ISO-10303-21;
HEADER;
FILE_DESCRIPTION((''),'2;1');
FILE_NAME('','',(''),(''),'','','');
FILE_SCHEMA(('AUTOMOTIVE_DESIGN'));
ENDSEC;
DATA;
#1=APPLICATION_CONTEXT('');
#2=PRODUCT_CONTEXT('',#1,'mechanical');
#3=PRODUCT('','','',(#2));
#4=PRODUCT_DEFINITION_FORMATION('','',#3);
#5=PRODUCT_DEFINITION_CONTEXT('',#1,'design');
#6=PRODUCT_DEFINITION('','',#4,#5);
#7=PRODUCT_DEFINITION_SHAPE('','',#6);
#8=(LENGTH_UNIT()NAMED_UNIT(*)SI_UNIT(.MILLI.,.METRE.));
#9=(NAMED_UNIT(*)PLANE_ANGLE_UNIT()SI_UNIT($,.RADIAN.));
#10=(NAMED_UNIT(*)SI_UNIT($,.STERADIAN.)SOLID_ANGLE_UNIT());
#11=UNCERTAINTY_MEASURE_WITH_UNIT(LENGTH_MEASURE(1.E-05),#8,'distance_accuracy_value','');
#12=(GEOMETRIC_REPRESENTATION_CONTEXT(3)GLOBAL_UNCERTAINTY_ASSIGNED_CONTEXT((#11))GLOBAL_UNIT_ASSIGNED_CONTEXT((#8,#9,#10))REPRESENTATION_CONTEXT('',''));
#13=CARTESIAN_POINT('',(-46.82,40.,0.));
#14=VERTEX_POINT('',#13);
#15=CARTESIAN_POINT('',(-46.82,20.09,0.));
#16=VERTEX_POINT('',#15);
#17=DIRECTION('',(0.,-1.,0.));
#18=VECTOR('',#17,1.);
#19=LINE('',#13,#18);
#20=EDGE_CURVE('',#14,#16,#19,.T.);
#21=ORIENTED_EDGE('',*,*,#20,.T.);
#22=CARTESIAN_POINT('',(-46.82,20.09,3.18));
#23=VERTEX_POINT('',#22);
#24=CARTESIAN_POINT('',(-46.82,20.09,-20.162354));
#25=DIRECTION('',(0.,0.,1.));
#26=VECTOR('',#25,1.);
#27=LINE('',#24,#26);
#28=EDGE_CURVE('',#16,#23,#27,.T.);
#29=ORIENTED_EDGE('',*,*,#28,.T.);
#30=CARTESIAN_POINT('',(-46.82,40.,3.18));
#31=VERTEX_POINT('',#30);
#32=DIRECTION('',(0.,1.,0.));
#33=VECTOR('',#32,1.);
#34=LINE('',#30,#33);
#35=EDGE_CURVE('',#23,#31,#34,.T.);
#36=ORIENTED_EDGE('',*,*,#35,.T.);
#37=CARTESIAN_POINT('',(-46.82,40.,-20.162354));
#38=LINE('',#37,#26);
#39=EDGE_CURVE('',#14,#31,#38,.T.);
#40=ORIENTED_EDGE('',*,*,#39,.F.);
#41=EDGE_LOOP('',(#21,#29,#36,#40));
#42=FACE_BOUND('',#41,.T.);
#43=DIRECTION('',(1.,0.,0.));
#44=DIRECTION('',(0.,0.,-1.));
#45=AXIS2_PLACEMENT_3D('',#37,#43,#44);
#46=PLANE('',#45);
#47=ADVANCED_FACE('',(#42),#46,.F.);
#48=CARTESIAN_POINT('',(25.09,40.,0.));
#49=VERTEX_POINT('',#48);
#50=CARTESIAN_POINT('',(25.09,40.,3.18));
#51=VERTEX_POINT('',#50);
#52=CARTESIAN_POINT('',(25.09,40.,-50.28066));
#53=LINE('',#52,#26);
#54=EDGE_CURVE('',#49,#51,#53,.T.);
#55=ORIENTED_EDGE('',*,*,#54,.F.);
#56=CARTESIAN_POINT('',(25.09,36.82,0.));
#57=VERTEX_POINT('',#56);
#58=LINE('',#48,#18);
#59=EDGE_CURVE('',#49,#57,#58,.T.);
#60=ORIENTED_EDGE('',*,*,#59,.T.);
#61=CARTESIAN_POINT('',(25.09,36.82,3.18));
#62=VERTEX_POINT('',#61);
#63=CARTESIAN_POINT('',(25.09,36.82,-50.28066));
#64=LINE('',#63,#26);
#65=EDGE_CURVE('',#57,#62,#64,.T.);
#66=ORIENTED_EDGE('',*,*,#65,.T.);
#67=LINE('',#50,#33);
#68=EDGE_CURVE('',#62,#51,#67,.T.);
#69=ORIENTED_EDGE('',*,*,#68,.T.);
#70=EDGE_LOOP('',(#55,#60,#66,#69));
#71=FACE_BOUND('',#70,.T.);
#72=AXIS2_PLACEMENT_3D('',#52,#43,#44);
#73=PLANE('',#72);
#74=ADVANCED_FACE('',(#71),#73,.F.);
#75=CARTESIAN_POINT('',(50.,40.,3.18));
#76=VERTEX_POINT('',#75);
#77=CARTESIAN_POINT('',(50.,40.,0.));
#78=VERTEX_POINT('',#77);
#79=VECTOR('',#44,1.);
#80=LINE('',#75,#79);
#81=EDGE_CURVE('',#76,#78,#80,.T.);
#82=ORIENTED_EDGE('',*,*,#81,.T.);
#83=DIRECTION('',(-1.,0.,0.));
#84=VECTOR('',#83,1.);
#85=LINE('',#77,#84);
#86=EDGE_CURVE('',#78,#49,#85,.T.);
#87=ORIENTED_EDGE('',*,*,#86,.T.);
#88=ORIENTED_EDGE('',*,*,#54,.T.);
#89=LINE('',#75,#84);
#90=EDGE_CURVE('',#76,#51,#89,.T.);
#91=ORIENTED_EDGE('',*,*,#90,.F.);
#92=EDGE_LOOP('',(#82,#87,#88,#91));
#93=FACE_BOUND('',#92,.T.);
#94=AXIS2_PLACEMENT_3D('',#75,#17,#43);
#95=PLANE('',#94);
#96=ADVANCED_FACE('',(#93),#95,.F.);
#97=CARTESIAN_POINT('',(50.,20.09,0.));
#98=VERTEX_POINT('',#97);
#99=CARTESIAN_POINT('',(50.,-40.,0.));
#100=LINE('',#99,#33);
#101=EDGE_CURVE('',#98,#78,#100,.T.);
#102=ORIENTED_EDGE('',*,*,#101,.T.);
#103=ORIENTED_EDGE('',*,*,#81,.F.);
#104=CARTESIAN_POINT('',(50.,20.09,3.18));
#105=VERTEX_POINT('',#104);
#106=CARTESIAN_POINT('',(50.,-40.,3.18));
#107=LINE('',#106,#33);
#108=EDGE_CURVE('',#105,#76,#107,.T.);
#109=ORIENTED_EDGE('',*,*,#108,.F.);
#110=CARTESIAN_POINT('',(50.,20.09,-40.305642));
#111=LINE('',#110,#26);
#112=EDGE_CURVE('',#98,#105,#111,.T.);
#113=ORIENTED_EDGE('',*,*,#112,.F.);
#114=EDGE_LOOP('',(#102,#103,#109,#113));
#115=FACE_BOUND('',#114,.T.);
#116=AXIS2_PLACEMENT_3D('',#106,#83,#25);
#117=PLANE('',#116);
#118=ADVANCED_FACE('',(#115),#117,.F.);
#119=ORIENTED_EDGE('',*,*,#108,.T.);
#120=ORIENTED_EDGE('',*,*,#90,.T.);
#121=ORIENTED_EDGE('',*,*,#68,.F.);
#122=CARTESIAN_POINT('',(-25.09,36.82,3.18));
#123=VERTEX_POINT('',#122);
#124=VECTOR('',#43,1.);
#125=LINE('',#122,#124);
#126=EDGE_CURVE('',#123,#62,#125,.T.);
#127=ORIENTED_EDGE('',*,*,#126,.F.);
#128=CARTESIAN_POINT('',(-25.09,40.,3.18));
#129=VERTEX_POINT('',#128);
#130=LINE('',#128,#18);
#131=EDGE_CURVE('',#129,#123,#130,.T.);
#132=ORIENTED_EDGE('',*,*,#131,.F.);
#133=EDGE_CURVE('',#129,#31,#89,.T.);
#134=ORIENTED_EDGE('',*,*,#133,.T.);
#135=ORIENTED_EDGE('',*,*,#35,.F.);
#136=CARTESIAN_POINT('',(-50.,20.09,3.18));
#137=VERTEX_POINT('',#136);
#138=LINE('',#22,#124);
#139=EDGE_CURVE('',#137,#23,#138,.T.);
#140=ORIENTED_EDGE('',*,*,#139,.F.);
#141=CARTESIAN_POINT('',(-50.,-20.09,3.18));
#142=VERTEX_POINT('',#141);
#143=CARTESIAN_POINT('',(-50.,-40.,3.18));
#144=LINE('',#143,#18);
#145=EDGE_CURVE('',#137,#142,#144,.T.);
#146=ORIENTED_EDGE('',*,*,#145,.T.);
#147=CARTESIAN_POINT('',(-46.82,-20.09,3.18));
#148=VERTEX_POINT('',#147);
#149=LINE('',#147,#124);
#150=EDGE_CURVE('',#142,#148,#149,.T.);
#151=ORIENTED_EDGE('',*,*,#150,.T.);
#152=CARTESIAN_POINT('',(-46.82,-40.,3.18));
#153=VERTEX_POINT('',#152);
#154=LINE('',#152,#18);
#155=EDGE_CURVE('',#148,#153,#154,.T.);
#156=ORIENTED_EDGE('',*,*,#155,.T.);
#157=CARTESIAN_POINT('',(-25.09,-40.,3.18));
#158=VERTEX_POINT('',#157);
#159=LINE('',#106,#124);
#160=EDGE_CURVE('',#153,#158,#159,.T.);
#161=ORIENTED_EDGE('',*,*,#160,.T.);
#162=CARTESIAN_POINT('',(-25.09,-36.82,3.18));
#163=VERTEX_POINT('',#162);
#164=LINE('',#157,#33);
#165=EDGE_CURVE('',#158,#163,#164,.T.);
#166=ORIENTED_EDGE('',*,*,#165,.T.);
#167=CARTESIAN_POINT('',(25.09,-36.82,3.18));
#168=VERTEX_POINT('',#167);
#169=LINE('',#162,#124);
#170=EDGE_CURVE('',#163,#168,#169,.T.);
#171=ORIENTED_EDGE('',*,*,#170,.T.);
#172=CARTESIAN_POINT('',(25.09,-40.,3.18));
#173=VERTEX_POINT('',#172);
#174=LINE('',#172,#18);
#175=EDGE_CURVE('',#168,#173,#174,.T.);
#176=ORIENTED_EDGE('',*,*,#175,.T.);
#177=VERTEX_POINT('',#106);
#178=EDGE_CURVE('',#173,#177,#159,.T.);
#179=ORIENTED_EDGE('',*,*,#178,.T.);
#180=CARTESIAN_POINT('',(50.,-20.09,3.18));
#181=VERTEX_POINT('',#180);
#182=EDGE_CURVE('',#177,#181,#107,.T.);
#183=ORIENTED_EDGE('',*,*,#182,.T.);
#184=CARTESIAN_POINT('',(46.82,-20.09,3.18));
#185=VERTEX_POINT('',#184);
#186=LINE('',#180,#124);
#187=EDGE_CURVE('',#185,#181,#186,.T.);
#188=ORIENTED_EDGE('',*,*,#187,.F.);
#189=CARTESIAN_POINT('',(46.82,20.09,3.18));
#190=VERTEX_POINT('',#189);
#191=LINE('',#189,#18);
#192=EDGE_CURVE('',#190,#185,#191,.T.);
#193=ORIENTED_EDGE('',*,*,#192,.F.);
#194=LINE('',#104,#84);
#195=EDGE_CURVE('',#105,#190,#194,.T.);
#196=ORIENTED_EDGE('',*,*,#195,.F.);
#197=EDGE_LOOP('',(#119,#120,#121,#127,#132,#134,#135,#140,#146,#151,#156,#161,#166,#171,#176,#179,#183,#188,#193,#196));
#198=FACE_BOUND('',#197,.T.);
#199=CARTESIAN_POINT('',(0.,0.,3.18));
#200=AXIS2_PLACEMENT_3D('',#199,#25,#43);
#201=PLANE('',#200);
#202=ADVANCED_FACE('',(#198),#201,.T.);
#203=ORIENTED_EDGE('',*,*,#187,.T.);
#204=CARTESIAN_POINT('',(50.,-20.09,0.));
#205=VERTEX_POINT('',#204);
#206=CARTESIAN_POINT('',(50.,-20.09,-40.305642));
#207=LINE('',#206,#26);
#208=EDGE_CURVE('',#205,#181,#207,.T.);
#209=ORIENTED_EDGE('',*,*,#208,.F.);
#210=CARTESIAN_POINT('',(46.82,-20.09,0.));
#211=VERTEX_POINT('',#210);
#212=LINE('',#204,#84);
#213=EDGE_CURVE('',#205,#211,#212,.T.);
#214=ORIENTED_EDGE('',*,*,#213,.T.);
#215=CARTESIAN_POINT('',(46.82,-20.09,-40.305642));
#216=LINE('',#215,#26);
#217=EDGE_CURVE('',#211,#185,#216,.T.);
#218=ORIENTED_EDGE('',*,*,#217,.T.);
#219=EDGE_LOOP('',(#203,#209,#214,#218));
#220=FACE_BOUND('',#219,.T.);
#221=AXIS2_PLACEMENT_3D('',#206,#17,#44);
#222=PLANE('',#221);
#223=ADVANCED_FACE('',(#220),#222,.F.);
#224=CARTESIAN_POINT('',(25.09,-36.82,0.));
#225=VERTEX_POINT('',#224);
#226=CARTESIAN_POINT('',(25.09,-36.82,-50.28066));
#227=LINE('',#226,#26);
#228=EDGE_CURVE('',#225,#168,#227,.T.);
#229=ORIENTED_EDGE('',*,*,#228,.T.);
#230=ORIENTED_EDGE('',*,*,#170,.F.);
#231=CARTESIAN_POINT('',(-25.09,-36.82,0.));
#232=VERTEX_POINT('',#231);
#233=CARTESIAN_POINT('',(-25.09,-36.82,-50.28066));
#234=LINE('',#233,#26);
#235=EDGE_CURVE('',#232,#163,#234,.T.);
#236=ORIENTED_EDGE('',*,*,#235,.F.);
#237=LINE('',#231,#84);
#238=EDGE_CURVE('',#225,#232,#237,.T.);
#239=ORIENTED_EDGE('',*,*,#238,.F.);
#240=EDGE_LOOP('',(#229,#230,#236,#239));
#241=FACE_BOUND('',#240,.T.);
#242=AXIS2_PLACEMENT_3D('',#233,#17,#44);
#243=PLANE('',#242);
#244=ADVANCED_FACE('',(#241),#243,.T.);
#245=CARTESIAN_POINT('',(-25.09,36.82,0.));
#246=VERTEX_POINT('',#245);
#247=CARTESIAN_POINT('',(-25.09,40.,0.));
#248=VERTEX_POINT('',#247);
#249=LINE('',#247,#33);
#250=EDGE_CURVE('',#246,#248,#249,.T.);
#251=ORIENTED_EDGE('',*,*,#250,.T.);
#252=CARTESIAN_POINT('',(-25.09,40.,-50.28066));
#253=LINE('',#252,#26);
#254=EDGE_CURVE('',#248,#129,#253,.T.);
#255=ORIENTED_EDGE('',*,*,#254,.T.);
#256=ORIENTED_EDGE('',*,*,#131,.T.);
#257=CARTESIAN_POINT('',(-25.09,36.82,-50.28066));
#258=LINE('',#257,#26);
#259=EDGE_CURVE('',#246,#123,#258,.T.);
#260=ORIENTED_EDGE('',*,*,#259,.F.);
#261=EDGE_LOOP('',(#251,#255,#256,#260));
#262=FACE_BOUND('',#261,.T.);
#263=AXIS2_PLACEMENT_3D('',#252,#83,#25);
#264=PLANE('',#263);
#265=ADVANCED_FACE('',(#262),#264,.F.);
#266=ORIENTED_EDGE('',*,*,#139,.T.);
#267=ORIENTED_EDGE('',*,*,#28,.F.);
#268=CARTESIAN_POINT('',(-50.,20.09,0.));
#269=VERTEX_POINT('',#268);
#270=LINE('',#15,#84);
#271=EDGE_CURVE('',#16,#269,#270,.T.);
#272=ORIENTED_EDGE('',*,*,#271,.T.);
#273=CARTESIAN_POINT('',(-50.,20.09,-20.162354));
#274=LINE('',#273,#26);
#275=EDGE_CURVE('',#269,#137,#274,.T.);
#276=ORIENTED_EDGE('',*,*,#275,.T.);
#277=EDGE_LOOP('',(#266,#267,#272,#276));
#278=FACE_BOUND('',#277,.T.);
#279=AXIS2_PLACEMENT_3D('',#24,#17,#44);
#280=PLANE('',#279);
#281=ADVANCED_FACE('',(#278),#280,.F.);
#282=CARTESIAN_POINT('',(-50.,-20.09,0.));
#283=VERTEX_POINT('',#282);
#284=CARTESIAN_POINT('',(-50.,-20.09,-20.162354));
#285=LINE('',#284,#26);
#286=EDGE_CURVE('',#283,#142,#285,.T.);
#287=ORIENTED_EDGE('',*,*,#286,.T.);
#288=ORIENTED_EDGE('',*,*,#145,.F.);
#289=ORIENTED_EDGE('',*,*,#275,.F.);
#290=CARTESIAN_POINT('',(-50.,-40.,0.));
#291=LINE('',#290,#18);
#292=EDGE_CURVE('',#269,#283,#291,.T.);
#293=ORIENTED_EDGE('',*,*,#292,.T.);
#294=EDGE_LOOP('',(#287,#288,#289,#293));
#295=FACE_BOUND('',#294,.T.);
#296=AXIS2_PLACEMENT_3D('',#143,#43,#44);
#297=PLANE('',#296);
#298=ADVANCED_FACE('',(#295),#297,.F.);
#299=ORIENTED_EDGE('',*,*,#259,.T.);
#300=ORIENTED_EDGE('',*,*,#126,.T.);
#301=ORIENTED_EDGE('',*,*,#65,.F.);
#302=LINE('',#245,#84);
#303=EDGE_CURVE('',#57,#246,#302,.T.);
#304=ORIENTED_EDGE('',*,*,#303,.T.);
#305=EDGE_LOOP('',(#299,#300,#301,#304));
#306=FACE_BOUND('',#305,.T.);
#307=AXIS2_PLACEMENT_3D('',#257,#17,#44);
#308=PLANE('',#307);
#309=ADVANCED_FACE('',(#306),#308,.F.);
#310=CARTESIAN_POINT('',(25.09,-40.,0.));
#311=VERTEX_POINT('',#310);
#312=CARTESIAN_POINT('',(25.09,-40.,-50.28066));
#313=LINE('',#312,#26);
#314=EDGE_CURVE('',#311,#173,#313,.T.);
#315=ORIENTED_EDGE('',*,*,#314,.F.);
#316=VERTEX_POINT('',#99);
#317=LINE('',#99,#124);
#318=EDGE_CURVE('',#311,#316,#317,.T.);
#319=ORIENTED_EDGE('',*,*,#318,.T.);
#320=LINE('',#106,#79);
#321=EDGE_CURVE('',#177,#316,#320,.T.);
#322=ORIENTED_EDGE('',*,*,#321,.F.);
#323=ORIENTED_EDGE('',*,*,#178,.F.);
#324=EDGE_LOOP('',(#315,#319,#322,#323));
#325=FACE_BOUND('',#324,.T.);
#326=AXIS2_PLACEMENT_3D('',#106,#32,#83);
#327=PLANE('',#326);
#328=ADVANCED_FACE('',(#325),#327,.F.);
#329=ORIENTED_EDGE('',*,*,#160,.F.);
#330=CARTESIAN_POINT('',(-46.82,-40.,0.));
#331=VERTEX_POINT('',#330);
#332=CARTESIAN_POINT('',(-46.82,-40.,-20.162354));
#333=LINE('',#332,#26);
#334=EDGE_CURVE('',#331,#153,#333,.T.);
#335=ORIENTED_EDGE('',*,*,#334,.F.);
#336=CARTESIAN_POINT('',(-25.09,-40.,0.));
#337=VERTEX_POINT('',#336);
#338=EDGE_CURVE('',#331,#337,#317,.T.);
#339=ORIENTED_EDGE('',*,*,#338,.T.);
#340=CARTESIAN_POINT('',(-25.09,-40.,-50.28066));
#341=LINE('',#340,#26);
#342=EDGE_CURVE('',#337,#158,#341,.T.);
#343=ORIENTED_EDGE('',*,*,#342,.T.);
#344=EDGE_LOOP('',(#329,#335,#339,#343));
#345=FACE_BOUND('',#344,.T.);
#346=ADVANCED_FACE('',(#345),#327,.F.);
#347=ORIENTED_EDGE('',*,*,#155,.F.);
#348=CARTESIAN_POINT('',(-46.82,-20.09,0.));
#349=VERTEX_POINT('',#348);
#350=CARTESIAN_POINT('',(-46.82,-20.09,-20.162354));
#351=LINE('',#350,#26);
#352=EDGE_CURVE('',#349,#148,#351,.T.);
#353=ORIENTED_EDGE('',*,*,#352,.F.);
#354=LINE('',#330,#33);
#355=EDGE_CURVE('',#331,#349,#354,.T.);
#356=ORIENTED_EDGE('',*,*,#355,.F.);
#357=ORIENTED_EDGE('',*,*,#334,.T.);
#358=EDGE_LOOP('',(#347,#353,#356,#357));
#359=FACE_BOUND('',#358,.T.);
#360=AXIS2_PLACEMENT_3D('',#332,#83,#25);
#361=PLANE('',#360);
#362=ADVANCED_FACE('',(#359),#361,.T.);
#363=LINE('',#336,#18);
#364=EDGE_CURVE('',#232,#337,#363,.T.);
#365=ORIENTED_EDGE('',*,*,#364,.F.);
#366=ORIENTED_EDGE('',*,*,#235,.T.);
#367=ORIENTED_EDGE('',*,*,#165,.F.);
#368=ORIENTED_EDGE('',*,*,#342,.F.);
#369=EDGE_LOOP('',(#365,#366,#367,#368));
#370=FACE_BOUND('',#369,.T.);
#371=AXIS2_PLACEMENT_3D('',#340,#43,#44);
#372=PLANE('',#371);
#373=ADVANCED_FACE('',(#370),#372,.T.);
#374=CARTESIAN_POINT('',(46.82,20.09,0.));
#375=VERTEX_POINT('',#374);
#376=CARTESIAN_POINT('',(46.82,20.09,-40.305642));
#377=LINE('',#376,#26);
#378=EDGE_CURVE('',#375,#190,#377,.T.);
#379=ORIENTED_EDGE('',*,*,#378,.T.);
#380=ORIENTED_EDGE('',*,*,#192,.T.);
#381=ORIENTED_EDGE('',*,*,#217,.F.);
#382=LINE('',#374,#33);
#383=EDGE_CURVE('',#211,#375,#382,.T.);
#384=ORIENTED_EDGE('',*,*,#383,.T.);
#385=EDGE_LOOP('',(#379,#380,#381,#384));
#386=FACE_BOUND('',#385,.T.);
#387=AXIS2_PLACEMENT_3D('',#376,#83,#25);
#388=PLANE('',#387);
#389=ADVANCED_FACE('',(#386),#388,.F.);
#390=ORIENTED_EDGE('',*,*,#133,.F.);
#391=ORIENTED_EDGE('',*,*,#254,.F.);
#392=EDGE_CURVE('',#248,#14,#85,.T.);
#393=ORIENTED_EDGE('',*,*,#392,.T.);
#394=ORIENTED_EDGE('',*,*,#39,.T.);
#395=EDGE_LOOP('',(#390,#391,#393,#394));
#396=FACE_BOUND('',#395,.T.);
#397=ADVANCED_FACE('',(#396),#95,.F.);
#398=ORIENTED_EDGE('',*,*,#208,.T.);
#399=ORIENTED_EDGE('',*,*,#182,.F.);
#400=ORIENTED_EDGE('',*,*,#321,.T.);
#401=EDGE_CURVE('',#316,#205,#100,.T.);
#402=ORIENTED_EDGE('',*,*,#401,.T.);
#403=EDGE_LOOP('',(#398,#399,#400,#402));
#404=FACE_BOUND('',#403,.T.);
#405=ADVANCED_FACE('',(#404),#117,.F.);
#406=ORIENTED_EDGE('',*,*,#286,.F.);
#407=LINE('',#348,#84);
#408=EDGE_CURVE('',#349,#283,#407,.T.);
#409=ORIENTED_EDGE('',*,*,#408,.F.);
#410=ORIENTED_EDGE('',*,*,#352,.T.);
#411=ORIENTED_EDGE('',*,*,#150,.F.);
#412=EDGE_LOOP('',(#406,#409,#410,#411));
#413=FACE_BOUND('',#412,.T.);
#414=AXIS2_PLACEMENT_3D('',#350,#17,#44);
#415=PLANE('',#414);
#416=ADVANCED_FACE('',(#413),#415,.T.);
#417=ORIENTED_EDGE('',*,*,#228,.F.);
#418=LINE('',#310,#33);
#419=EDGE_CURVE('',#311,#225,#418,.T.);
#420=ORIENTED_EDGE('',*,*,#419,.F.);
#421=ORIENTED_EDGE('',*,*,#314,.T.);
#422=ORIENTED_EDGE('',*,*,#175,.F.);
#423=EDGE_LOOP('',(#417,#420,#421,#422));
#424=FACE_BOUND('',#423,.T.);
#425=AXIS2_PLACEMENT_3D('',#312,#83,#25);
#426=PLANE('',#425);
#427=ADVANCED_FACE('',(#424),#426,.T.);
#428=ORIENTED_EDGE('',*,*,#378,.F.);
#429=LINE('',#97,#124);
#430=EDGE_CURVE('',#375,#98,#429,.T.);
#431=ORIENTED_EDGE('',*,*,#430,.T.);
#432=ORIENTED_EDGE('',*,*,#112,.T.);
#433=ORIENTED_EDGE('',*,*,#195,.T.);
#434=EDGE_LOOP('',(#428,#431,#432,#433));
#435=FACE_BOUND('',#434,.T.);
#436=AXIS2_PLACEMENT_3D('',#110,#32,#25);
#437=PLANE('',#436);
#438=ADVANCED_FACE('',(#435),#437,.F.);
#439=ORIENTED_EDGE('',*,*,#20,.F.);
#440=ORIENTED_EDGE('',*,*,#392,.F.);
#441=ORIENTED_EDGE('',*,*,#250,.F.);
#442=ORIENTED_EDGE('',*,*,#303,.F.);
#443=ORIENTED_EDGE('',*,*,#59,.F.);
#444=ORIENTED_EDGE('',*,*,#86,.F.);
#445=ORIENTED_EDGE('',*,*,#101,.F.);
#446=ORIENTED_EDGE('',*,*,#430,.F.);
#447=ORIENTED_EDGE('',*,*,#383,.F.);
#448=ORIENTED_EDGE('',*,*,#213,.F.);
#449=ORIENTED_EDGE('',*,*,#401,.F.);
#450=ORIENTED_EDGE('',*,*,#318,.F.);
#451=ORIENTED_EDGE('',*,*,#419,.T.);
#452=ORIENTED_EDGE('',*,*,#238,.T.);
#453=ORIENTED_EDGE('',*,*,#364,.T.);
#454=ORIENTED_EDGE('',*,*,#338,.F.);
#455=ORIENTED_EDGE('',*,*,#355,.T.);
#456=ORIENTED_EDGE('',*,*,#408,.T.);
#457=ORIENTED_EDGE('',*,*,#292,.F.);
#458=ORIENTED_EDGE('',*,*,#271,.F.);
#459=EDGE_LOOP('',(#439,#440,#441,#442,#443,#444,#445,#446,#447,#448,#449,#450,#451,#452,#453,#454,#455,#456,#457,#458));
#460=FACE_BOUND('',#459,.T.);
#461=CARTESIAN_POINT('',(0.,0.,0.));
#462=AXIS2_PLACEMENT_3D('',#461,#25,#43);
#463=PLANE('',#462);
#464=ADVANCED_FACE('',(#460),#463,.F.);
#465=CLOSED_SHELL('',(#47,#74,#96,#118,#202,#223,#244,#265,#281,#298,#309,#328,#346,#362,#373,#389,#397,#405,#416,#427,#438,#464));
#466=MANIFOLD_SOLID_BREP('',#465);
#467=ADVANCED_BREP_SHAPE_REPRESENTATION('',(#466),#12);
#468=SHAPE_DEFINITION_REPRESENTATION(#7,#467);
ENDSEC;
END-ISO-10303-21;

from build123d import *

# Parameters (mm, degrees)
SKETCH3_W           = 100
SKETCH3_H           = 80
BOSS_EXTRUDE1_DEPTH = 3.18
SKETCH4_W           = 50.18
SKETCH4_H           = 3.18
CUT_EXTRUDE1_DEPTH  = 3.18
SKETCH5_W           = 3.18
SKETCH5_H           = 40.18
CUT_EXTRUDE2_DEPTH  = 3.18
SKETCH6_W           = 3.18
SKETCH6_H           = 19.91
CUT_EXTRUDE3_DEPTH  = 3.18


with BuildPart() as part:
    # Sketch3 → Boss-Extrude1 (new body)
    with BuildSketch(Plane.XY):
        Rectangle(SKETCH3_W, SKETCH3_H)
    extrude(amount=BOSS_EXTRUDE1_DEPTH)

    # Sketch4 → Cut-Extrude1 (cut)
    with BuildSketch(Plane.XY.offset(3.18)):
        with Locations((0, 38.41)):
            Rectangle(SKETCH4_W, SKETCH4_H)
    cut_extrude1 = extrude(amount=-CUT_EXTRUDE1_DEPTH, mode=Mode.SUBTRACT)

    # Mirror1: Cut-Extrude1 across plane
    add(cut_extrude1.mirror(Plane.ZX), mode=Mode.SUBTRACT)

    # Sketch5 → Cut-Extrude2 (cut)
    with BuildSketch(Plane.XY.offset(3.18)):
        with Locations((48.41, 0)):
            Rectangle(SKETCH5_W, SKETCH5_H)
    extrude(amount=-CUT_EXTRUDE2_DEPTH, mode=Mode.SUBTRACT)

    # Sketch6 → Cut-Extrude3 (cut)
    with BuildSketch(Plane.XY.offset(3.18)):
        with Locations((-48.41, 30.045)):
            Rectangle(SKETCH6_W, SKETCH6_H)
    cut_extrude3 = extrude(amount=-CUT_EXTRUDE3_DEPTH, mode=Mode.SUBTRACT)

    # Mirror2: Cut-Extrude3 across plane
    add(cut_extrude3.mirror(Plane.ZX), mode=Mode.SUBTRACT)


solid = part.part
